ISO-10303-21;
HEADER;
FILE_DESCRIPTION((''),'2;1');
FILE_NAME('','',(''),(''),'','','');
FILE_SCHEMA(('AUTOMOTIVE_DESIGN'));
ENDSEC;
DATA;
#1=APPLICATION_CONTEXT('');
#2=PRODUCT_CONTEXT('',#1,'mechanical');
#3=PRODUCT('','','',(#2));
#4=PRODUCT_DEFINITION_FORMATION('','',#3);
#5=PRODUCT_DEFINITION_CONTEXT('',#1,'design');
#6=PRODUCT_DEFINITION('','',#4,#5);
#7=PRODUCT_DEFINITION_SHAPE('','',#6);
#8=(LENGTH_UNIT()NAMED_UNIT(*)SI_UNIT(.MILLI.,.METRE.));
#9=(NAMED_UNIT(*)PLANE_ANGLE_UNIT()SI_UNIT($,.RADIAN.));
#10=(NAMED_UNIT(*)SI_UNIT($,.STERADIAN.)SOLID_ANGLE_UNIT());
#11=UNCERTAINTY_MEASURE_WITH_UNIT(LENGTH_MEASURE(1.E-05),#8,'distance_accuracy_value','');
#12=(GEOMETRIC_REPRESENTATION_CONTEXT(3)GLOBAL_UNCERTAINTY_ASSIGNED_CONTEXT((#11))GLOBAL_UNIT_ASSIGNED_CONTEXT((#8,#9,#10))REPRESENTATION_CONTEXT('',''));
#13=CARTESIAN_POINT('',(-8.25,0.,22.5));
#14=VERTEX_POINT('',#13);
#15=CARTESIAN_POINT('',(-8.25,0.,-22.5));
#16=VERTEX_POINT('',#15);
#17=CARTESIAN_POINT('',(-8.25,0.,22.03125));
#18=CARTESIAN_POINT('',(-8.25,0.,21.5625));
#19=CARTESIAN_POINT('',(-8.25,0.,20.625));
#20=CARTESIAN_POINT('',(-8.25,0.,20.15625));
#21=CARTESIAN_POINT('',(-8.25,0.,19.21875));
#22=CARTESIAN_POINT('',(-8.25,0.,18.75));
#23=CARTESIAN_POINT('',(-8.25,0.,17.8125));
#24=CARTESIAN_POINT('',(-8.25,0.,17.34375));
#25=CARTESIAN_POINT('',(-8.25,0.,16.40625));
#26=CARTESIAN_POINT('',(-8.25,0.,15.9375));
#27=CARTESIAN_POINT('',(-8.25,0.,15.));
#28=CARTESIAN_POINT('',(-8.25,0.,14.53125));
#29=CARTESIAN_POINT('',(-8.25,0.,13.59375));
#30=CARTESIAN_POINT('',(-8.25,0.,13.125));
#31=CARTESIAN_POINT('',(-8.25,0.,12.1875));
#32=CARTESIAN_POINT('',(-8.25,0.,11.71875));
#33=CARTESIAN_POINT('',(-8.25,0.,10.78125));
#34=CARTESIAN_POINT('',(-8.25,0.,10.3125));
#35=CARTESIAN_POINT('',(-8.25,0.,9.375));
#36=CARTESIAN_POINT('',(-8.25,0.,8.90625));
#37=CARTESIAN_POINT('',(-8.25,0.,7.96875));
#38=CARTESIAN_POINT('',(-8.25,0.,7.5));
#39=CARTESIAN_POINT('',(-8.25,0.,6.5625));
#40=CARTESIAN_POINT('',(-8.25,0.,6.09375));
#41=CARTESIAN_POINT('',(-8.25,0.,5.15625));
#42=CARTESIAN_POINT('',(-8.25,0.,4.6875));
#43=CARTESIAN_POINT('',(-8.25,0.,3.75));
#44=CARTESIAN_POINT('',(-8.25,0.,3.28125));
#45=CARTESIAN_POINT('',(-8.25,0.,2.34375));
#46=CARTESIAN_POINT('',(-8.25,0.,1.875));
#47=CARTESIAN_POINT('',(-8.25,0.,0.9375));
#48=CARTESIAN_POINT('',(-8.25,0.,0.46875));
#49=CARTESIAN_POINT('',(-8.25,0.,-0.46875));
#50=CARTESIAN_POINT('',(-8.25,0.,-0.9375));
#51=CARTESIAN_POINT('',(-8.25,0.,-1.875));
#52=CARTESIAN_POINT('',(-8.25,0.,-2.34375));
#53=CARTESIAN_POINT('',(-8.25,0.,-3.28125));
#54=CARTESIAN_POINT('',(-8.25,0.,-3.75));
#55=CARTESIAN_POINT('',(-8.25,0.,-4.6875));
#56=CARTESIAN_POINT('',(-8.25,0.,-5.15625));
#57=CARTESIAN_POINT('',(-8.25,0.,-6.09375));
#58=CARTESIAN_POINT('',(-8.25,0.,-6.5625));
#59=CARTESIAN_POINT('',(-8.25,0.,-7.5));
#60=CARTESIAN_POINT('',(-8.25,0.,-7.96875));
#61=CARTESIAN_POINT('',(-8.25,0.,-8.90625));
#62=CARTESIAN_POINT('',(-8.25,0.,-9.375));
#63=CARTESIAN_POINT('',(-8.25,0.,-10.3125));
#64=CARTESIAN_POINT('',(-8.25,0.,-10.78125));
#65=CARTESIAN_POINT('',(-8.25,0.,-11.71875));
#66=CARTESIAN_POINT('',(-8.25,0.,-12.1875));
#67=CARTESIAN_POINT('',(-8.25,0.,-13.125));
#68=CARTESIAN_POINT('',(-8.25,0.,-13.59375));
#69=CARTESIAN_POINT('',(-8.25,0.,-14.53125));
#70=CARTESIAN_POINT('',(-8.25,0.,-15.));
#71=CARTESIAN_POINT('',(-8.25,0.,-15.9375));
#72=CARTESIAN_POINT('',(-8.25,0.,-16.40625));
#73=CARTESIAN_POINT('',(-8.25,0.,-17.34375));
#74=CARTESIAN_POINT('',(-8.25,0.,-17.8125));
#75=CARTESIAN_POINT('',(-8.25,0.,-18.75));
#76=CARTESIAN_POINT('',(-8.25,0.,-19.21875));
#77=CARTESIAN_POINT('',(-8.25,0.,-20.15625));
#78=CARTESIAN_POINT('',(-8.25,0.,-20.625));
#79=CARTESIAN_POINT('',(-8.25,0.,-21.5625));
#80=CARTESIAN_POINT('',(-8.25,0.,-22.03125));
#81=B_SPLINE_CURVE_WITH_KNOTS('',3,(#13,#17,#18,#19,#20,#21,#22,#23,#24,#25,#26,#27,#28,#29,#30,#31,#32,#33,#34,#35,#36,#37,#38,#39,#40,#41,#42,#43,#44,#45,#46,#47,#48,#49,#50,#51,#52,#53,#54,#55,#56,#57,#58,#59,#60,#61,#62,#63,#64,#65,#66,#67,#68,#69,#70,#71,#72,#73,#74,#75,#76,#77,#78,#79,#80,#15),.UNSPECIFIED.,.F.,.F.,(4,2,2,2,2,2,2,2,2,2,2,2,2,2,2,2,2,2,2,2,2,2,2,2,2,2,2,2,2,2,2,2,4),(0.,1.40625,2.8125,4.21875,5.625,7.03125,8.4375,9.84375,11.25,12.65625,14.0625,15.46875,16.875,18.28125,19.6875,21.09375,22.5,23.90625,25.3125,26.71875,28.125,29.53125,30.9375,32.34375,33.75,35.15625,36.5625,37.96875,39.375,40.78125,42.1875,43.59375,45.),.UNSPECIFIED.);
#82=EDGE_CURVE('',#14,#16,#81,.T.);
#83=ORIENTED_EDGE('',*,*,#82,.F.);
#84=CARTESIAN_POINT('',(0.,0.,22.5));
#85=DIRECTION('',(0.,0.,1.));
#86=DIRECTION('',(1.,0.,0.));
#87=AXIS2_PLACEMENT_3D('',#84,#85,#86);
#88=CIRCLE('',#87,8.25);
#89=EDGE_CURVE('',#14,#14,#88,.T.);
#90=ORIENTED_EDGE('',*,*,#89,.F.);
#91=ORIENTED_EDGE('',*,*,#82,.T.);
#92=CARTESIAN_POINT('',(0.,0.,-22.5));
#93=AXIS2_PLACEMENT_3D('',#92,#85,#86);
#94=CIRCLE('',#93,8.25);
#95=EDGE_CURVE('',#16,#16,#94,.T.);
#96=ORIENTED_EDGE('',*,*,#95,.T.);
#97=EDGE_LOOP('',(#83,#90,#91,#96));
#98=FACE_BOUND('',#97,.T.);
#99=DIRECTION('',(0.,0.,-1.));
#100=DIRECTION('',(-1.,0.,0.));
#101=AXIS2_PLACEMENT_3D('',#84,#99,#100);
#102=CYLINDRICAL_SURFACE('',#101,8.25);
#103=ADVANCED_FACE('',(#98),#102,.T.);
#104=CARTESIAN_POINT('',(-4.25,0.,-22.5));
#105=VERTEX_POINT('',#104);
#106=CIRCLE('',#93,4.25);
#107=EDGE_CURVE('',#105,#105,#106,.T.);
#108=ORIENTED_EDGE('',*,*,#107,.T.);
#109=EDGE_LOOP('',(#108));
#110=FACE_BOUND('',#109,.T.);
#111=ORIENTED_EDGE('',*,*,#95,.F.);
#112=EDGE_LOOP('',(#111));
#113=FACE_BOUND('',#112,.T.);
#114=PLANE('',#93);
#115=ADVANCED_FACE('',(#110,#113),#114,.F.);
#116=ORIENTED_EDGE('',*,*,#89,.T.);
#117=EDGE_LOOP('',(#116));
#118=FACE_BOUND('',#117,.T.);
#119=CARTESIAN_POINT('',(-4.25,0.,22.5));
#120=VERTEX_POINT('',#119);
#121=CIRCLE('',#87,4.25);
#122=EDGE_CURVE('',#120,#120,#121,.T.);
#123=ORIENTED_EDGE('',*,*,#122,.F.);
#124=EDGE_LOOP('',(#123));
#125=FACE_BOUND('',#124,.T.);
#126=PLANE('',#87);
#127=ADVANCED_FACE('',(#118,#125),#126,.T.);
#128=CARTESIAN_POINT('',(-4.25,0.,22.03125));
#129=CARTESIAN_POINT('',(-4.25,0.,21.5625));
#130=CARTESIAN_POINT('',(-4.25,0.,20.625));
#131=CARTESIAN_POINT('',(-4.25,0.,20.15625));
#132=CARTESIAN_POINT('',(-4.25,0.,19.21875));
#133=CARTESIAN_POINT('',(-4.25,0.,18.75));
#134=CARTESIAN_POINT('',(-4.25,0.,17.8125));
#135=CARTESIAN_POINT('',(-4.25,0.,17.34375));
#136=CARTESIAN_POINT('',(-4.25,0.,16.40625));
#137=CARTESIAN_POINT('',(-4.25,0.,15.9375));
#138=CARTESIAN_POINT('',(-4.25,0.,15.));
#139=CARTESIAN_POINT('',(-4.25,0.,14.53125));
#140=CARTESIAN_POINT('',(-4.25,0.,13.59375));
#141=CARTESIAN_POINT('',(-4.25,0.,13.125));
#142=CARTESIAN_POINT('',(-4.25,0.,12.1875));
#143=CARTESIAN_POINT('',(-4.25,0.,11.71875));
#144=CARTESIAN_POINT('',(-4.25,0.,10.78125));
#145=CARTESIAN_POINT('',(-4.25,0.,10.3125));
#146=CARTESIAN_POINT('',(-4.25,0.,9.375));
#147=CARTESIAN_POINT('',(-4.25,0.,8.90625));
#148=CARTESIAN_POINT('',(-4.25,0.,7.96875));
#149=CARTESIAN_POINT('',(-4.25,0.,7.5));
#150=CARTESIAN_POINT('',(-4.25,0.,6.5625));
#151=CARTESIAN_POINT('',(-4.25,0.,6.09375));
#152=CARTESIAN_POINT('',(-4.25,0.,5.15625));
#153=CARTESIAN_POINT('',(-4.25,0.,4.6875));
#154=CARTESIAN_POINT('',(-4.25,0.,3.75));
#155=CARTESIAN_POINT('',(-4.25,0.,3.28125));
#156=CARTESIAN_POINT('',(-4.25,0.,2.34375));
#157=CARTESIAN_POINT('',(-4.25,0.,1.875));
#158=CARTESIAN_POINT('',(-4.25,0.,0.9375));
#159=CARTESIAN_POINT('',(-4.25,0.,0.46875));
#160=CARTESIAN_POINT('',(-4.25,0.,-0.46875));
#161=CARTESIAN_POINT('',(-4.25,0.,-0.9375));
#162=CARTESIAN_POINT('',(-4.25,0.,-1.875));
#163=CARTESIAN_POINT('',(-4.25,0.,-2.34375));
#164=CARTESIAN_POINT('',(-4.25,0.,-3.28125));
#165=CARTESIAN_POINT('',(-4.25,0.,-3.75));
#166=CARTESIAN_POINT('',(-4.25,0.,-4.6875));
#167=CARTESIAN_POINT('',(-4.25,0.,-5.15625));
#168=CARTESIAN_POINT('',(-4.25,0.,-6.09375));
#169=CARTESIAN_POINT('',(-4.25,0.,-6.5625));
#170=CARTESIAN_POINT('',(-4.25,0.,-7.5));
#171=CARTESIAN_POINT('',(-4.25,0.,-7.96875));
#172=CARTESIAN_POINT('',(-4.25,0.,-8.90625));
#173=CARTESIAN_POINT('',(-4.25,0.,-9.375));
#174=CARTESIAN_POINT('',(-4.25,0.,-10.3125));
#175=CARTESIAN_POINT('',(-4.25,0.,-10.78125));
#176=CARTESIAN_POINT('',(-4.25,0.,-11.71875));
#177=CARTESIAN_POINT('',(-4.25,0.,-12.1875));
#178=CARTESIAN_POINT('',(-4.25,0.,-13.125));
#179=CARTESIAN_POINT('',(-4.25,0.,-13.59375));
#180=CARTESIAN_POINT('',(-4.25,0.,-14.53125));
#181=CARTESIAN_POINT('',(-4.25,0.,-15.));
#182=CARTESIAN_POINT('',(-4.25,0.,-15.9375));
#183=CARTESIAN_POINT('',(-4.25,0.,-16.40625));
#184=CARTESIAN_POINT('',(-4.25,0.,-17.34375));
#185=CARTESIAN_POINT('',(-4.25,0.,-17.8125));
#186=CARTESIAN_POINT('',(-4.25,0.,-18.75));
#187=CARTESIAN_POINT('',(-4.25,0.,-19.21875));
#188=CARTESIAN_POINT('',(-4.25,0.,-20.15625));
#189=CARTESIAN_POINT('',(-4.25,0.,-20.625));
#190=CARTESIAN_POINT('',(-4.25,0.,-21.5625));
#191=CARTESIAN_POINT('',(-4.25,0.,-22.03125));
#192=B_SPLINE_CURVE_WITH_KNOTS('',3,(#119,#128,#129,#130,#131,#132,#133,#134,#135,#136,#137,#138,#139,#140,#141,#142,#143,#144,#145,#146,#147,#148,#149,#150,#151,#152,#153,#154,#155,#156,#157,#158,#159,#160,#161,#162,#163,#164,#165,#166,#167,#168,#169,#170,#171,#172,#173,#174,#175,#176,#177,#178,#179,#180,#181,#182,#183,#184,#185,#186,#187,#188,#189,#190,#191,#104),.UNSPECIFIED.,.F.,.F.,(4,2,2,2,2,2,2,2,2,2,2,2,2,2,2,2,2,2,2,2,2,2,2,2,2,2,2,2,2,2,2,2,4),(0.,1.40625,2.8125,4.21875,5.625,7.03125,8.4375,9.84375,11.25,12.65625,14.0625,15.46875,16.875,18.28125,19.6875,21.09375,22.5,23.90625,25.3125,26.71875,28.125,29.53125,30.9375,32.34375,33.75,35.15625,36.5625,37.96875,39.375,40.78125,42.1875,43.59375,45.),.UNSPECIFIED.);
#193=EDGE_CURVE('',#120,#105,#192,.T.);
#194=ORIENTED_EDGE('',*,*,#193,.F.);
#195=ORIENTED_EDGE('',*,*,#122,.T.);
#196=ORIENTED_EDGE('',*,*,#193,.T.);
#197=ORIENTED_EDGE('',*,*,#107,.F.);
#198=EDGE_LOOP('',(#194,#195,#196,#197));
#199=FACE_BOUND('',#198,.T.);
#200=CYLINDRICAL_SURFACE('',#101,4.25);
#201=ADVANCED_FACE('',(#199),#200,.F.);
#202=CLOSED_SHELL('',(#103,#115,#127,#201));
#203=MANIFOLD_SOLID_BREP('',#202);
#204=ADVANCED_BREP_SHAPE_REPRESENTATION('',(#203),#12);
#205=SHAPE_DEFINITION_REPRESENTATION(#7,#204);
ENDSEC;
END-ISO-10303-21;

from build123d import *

# Parameters (mm, degrees)
ESBO_O1_R                = 8.25
ESBO_O1_R_2              = 4.25
RESSALTO_EXTRUS_O1_DEPTH = 22.5


with BuildPart() as part:
    # Esboço1 → Ressalto-extrusão1 (new, symmetric)
    with BuildSketch(Plane.XY):
        with Locations(Location((0, 0, 0), (0, 0, 180))):
            Circle(ESBO_O1_R)
        with Locations(Location((0, 0, 0), (0, 0, 180))):
            Circle(ESBO_O1_R_2, mode=Mode.SUBTRACT)
    extrude(amount=RESSALTO_EXTRUS_O1_DEPTH, both=True)


solid = part.part
